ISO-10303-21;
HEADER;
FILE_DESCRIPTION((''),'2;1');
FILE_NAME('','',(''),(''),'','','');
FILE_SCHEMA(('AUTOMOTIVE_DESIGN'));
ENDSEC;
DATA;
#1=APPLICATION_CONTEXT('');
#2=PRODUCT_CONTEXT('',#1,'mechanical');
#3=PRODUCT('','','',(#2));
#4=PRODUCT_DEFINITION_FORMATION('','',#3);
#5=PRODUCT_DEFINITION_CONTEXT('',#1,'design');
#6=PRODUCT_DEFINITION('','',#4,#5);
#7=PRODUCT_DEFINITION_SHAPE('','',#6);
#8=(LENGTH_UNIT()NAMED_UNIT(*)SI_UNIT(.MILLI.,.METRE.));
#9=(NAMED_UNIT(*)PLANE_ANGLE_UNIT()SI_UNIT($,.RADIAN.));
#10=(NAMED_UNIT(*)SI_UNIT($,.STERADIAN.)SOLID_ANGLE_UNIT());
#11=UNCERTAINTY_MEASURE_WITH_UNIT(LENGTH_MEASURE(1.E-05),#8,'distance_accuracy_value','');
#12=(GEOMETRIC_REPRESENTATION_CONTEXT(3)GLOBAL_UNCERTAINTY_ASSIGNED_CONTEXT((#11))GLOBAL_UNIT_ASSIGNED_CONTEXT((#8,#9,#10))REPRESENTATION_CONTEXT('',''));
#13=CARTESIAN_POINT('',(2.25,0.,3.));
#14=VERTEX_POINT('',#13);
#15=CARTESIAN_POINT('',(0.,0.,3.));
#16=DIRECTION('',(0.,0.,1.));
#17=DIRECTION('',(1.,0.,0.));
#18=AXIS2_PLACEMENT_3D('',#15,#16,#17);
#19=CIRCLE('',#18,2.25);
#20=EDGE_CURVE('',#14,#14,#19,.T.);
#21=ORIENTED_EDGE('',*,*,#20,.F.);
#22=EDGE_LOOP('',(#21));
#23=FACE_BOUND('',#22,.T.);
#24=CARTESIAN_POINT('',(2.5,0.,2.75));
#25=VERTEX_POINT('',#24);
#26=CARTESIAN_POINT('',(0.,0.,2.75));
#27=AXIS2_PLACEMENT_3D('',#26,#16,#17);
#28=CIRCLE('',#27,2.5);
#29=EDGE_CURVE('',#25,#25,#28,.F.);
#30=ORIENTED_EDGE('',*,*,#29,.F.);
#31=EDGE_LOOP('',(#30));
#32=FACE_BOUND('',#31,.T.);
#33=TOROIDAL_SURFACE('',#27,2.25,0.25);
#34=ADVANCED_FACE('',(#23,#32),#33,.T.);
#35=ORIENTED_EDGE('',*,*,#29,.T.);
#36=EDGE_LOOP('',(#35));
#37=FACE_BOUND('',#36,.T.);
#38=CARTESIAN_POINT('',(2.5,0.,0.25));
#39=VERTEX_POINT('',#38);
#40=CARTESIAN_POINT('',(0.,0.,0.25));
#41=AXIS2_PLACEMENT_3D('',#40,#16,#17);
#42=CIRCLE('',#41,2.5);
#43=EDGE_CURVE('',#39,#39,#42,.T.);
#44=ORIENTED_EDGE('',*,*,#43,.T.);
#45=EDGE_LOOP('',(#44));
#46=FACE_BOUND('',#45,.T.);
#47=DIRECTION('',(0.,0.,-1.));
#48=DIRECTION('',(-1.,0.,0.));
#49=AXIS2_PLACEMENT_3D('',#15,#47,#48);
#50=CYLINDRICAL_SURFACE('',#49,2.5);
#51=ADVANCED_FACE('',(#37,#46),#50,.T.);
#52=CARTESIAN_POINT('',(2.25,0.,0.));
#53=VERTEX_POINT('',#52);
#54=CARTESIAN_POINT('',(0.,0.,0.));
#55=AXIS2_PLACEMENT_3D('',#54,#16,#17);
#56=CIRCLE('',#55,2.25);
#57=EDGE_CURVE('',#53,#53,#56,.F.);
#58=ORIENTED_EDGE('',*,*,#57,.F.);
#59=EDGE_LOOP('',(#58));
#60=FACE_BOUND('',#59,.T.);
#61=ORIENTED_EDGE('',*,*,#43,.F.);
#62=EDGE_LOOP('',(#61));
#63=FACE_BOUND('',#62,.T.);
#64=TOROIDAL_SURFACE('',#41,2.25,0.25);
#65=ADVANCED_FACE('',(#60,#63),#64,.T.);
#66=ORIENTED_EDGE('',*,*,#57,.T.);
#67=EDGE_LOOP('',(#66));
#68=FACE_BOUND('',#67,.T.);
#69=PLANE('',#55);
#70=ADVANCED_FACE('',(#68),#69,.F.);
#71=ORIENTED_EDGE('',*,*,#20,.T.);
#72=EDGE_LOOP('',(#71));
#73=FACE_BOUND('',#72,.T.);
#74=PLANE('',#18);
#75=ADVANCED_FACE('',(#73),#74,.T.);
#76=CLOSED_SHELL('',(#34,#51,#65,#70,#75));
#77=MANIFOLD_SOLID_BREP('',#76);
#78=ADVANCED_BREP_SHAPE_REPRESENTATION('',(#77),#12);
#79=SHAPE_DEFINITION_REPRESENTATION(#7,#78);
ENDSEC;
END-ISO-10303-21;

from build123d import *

# Parameters (mm, degrees)
SKETCH_1_R      = 2.5
EXTRUDE_1_DEPTH = 3
FILLET_1_R      = 0.25


with BuildPart() as part:
    # Эскиз1 → Бобышка-Вытянуть1 (new body)
    with BuildSketch(Plane.XY):
        Circle(SKETCH_1_R)
    extrude(amount=EXTRUDE_1_DEPTH)

    # Скругление1
    fillet_1_edges = [part.edges().sort_by_distance(p)[0] for p in [
        (-2.5, 0, 0),
        (-2.5, 0, 3),
    ]]
    fillet(fillet_1_edges, radius=FILLET_1_R)


solid = part.part
